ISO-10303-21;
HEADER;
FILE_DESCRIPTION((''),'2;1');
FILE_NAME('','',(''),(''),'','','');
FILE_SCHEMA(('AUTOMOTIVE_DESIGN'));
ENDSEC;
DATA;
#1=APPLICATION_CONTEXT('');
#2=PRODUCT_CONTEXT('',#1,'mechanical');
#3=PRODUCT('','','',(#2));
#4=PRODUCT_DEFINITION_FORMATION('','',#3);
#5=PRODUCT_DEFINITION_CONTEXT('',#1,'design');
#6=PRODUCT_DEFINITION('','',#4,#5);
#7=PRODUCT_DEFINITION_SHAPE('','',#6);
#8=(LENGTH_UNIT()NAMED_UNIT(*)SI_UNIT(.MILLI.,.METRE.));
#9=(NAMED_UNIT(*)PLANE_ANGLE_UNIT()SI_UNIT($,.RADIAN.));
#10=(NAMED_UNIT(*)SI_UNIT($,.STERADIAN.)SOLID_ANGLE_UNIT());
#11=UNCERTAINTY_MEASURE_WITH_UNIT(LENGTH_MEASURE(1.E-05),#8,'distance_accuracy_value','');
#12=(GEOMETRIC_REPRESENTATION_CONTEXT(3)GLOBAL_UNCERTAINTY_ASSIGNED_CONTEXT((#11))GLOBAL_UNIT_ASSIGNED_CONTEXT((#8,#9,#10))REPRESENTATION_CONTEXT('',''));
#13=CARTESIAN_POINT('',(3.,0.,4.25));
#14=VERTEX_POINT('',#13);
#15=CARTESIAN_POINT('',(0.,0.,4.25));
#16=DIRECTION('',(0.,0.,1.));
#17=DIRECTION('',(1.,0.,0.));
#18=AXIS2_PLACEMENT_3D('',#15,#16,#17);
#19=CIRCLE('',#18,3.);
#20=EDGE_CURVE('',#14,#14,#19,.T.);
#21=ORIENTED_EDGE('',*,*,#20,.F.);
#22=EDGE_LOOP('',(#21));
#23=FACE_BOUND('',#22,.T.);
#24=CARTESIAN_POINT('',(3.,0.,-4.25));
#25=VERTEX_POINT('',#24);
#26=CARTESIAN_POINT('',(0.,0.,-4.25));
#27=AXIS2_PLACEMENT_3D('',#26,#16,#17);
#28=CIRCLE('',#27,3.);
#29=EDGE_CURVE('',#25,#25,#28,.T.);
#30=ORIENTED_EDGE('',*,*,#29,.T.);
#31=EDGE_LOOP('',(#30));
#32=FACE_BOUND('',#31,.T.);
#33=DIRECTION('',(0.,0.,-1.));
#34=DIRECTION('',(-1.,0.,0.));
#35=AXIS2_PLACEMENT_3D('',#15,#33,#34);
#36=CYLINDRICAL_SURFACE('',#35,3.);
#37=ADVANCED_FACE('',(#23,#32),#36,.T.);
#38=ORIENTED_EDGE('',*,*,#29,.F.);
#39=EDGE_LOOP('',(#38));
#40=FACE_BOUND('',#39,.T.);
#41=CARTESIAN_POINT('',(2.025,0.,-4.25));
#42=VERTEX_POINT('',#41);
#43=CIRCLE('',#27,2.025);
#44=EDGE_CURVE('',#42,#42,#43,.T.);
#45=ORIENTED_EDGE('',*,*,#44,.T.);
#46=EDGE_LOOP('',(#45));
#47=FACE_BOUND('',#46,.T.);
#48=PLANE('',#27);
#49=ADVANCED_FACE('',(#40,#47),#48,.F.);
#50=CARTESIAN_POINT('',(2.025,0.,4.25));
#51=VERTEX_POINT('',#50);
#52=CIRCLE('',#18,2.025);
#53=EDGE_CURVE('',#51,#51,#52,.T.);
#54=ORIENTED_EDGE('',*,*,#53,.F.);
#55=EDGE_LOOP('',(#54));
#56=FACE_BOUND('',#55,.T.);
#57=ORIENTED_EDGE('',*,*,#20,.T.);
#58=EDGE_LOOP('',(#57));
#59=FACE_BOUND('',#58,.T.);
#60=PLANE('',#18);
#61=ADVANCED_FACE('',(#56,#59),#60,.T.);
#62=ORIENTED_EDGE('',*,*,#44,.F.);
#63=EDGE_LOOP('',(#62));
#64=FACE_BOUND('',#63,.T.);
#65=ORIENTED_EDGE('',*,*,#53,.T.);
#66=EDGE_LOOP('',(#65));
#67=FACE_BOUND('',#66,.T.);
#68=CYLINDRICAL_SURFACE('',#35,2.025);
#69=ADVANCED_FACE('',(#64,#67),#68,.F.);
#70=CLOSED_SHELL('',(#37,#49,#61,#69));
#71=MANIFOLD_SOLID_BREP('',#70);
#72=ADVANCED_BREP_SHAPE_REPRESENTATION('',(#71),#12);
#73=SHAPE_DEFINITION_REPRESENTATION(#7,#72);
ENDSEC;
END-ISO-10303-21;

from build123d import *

# Parameters (mm, degrees)
ESQUISSE1_R      = 3
ESQUISSE1_R_2    = 2.025
EXTRUSION1_DEPTH = 4.25


with BuildPart() as part:
    # Esquisse1 → Extrusion1 (new body, symmetric)
    with BuildSketch(Plane.XY):
        Circle(ESQUISSE1_R)
        Circle(ESQUISSE1_R_2, mode=Mode.SUBTRACT)
    extrude(amount=EXTRUSION1_DEPTH, both=True)


solid = part.part
